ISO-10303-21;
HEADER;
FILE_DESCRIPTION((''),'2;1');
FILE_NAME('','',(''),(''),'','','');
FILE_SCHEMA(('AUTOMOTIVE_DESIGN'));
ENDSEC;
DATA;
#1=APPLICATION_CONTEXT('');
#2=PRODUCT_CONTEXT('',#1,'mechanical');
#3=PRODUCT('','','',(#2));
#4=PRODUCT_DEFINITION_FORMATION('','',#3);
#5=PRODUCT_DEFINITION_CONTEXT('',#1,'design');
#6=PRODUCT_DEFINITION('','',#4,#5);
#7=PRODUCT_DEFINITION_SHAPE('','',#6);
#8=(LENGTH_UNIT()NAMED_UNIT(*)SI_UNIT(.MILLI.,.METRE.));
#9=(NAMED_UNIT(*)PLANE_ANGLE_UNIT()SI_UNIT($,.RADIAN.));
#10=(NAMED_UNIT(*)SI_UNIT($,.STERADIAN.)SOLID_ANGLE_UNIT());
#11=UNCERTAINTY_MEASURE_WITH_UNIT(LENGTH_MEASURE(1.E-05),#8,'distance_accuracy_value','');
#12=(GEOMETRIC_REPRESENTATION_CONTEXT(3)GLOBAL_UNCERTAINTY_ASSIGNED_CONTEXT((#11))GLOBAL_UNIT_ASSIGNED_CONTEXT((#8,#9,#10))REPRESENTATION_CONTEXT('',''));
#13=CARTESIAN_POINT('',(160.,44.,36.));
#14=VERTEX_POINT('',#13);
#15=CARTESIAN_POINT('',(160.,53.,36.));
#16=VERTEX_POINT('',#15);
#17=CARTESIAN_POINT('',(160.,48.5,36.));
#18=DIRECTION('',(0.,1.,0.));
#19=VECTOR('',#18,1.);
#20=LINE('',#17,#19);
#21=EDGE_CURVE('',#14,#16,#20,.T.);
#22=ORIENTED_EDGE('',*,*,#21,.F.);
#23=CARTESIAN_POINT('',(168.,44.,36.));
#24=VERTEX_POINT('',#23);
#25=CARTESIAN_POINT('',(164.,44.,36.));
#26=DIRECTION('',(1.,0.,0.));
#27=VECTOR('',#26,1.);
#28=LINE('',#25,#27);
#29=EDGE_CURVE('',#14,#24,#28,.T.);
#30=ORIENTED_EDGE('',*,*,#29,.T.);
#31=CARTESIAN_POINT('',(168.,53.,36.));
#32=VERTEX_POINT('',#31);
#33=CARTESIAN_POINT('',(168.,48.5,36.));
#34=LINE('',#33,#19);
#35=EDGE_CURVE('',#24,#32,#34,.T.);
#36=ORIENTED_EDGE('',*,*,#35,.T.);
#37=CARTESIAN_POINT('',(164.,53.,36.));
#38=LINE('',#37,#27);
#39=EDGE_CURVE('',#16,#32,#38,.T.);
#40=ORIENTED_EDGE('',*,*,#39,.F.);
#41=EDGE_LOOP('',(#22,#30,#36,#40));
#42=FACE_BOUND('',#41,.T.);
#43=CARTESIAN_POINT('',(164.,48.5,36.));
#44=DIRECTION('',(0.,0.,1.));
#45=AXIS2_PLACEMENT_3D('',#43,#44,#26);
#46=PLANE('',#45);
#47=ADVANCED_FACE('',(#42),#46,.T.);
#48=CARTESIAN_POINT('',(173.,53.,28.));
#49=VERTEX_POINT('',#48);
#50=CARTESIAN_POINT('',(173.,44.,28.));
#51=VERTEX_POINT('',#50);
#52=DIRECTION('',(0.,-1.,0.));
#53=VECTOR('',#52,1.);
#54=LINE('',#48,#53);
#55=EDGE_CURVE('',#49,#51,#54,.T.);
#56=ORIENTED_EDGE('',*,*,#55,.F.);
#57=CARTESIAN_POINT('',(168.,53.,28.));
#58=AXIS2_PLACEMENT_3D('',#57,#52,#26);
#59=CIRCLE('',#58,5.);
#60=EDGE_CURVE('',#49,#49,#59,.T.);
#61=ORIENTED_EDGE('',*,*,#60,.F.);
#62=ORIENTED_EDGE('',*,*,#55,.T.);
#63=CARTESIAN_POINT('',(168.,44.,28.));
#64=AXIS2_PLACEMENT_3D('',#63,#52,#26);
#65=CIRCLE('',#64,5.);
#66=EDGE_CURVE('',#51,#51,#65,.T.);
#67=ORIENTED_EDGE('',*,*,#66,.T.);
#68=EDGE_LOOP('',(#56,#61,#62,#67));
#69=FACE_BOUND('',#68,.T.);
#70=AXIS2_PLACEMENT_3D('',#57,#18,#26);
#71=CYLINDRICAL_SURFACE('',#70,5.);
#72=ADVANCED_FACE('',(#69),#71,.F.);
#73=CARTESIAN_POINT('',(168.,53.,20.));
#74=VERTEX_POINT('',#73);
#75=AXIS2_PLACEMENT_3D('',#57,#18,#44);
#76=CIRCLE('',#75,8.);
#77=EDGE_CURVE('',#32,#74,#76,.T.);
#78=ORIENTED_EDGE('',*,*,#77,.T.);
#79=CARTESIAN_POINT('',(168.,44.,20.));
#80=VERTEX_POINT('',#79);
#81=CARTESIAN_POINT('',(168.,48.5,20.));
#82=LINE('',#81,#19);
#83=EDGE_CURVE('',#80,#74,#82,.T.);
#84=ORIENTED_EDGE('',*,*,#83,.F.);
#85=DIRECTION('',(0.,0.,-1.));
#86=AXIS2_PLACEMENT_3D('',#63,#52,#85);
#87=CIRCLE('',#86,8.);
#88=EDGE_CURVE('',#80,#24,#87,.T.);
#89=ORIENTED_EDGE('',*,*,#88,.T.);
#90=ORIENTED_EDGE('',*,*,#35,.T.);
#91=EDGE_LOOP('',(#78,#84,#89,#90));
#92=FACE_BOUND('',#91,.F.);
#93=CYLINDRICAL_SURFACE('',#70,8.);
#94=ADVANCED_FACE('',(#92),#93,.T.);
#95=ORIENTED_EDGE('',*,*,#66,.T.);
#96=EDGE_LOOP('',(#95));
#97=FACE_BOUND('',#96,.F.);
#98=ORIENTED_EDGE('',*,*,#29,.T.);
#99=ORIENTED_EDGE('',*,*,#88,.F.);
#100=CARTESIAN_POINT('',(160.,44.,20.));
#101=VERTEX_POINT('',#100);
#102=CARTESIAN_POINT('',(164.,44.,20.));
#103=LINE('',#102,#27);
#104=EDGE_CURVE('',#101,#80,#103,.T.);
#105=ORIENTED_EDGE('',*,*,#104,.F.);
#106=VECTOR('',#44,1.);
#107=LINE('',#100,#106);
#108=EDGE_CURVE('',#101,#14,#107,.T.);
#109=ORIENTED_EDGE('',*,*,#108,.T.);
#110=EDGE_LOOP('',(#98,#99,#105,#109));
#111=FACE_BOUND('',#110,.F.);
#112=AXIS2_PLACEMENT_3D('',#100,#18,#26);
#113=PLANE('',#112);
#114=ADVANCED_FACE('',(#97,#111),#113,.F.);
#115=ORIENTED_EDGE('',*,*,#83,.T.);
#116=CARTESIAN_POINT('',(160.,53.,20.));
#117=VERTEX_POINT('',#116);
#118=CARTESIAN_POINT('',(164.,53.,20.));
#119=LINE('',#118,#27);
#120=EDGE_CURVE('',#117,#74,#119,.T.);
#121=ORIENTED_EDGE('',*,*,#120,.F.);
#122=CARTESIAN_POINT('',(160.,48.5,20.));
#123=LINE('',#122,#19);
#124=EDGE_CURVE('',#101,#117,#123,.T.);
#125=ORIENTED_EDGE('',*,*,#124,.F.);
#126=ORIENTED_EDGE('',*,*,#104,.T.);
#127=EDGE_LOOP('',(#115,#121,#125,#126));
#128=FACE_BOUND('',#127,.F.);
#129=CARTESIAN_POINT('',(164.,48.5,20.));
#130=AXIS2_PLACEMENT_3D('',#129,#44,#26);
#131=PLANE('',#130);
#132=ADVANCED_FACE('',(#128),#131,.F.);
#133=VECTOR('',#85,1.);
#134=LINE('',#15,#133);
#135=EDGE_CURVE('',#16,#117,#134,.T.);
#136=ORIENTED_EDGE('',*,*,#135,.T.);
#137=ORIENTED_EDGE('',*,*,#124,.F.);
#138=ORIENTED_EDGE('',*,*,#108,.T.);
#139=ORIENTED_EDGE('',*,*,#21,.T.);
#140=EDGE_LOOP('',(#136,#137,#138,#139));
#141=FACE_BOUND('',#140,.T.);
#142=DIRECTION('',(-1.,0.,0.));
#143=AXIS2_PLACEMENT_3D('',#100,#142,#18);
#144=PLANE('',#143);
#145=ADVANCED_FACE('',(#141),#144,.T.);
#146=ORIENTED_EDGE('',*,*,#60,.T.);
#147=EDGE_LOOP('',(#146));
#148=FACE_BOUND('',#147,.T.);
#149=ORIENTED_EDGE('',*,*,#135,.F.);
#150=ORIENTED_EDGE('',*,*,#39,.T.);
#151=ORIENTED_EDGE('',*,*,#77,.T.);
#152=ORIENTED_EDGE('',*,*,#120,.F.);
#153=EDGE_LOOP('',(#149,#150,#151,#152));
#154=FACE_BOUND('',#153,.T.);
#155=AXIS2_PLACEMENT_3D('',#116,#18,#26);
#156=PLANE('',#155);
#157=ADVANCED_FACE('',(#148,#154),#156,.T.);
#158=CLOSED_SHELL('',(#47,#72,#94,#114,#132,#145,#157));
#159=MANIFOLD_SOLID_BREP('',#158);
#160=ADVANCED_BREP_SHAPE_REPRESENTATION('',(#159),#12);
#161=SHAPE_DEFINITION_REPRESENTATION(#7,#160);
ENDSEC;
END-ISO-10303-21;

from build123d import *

# Parameters (mm, degrees)
CYLINDER020_R          = 5
CYLINDER020_DEPTH      = 9
CYLINDER020_ROLL_ANGLE = 90
BOX029_W               = 8
BOX029_H               = 9
BOX029_DEPTH           = 16
CYLINDER019_R          = 8
CYLINDER019_DEPTH      = 9
CYLINDER019_ROLL_ANGLE = 90


with BuildPart() as zylinder006:
    # Cylinder020 → Cylinder020 (new body)
    with BuildSketch(Plane.XY):
        Circle(CYLINDER020_R)
    extrude(amount=CYLINDER020_DEPTH)


with BuildPart() as zylinder006_1:
    # Cylinder020 roll: moved
    add(zylinder006.part.rotate(Axis((0, 0, 0), (1, 0, 0)), CYLINDER020_ROLL_ANGLE))


with BuildPart() as zylinder006_2:
    # Cylinder020 placement: moved
    add(zylinder006_1.part.moved(Location((8, 9, 8))))


with BuildPart() as w_rfel022:
    # Box029 → Box029 (new body)
    with BuildSketch(Plane.XY):
        with Locations((4, 4.5)):
            Rectangle(BOX029_W, BOX029_H)
    extrude(amount=BOX029_DEPTH)


with BuildPart() as fixier_se:
    # Cylinder019 → Cylinder019 (new body)
    with BuildSketch(Plane.XY):
        Circle(CYLINDER019_R)
    extrude(amount=CYLINDER019_DEPTH)


with BuildPart() as fixier_se_1:
    # Cylinder019 roll: moved
    add(fixier_se.part.rotate(Axis((0, 0, 0), (1, 0, 0)), CYLINDER019_ROLL_ANGLE))


with BuildPart() as fixier_se_2:
    # Cylinder019 placement: moved
    add(fixier_se_1.part.moved(Location((8, 9, 8))))

    # Fusion014: union Würfel022
    add(w_rfel022.part)

    # Cut019: cut Zylinder006
    add(zylinder006_2.part, mode=Mode.SUBTRACT)


with BuildPart() as fixier_se_3:
    # Cut019 placement: moved
    add(fixier_se_2.part.moved(Location((160, 44, 20))))


solid = fixier_se_3.part
